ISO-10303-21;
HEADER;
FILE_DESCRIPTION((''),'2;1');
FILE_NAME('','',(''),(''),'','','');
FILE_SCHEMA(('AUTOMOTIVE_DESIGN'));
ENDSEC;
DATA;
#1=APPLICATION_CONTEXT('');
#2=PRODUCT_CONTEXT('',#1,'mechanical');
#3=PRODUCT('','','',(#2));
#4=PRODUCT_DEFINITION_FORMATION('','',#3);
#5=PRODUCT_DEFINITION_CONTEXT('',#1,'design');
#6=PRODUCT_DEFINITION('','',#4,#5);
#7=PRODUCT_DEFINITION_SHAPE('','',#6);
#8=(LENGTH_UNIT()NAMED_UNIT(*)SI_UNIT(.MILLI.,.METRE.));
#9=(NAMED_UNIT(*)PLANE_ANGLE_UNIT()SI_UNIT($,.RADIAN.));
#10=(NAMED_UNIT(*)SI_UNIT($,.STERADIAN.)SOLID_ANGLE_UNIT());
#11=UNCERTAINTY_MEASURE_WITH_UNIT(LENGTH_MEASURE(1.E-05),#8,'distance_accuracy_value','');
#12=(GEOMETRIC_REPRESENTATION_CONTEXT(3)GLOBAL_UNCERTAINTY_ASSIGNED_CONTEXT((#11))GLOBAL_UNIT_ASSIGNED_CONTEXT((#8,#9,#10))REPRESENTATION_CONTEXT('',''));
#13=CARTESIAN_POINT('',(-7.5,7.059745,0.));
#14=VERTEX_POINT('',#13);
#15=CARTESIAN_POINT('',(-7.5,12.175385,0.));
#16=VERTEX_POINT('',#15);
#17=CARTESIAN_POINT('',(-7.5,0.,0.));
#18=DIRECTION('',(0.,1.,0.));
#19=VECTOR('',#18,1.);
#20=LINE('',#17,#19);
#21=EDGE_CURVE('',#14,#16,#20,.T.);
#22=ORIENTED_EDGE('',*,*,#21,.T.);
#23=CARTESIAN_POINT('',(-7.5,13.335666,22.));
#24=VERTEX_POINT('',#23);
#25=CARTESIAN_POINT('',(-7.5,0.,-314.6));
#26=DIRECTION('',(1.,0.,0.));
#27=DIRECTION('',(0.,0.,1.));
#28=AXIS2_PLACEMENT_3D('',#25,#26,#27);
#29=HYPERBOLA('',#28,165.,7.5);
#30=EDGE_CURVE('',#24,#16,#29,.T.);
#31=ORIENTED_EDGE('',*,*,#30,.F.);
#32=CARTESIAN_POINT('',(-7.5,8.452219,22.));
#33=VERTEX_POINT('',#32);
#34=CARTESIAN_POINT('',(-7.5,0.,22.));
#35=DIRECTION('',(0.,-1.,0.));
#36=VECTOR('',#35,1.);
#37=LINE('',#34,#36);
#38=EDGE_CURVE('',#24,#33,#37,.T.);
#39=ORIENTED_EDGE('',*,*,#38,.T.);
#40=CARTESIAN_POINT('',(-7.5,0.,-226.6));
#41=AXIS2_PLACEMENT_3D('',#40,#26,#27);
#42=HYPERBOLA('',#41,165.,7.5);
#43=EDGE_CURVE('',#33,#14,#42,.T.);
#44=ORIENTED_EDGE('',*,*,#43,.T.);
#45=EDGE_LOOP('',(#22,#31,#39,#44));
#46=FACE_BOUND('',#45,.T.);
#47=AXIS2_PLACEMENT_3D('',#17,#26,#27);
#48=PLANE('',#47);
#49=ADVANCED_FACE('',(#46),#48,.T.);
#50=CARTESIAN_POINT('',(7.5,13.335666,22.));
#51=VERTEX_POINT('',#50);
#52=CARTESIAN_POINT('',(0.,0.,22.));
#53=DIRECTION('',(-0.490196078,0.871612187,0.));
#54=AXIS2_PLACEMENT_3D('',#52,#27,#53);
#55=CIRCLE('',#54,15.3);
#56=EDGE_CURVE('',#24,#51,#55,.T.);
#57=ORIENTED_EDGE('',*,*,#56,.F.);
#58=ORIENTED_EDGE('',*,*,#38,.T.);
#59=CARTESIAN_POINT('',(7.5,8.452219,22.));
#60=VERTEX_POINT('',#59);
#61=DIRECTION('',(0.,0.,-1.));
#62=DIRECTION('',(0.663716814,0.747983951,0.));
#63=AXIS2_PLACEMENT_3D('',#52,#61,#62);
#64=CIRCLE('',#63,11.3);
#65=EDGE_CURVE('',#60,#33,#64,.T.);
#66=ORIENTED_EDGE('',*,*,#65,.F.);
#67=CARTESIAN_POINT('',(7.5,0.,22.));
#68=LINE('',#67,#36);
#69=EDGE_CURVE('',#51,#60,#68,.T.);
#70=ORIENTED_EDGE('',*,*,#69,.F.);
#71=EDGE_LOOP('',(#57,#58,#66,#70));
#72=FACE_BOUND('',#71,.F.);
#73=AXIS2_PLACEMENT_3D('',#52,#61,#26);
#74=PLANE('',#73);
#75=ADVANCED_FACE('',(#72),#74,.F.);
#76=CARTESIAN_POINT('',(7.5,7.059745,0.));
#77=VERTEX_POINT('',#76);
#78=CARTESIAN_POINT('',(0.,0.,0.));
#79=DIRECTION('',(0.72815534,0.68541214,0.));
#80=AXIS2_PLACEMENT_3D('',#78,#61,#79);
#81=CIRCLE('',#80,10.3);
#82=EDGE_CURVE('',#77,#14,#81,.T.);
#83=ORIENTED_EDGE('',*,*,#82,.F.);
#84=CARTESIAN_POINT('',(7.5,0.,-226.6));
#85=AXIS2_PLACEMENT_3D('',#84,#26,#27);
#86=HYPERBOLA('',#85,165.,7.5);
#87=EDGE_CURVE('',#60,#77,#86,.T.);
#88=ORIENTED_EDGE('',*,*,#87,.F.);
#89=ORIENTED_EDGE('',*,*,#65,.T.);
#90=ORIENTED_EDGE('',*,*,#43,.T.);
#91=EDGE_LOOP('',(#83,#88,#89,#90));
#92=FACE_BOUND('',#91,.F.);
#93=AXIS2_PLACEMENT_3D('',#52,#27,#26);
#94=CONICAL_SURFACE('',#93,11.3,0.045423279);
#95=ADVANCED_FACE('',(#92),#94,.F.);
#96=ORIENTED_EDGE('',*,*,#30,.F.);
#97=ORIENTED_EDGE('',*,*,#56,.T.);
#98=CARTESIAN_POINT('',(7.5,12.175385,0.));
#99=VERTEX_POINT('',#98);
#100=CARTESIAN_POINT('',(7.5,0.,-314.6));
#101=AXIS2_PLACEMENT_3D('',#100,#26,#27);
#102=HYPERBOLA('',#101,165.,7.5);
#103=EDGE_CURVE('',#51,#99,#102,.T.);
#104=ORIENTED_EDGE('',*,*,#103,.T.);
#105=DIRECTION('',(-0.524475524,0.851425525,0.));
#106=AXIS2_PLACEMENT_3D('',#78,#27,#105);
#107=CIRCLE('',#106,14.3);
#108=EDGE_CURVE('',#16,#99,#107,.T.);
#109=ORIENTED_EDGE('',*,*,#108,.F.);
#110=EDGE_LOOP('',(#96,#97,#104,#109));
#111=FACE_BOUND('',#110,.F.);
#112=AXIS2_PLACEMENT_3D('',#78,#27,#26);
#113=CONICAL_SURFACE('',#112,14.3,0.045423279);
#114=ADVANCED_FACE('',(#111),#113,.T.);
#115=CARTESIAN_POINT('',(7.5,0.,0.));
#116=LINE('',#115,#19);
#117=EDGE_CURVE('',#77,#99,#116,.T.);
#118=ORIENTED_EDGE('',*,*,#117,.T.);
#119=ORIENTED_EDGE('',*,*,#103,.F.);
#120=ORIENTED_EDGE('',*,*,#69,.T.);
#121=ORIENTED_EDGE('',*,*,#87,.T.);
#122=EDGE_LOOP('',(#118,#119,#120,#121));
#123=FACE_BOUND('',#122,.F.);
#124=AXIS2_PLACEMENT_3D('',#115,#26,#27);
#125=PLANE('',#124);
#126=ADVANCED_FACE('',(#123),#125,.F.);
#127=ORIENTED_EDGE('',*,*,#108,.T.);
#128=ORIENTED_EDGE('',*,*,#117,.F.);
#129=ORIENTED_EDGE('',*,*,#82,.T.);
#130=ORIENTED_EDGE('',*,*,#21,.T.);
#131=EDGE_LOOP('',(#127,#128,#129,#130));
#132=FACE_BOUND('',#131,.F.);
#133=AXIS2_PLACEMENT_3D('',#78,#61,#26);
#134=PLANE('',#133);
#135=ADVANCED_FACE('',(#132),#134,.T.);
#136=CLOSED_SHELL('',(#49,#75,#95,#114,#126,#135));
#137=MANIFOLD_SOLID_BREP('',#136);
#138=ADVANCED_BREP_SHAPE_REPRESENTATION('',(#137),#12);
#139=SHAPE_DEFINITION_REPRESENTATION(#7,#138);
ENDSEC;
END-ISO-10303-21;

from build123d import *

# Parameters (mm, degrees)
F2_W     = 15
F2_H     = 24.842653
F3_DEPTH = 25


with BuildPart() as f1:
    # F0 (on Front) → F1 (revolve)
    with BuildSketch(Plane.XZ):
        Polygon((15.3, 22), (11.3, 22), (10.3, 0), (14.3, 0), align=None)
    revolve(axis=Axis((0, 0, 11), (0, 0, -1)))

    # F2 (on Front) → F3 (cut)
    with BuildSketch(Plane.XZ):
        with Locations((0, 12.421326)):
            Rectangle(F2_W, F2_H)
    extrude(amount=-F3_DEPTH, mode=Mode.SUBTRACT)


solid = f1.part
